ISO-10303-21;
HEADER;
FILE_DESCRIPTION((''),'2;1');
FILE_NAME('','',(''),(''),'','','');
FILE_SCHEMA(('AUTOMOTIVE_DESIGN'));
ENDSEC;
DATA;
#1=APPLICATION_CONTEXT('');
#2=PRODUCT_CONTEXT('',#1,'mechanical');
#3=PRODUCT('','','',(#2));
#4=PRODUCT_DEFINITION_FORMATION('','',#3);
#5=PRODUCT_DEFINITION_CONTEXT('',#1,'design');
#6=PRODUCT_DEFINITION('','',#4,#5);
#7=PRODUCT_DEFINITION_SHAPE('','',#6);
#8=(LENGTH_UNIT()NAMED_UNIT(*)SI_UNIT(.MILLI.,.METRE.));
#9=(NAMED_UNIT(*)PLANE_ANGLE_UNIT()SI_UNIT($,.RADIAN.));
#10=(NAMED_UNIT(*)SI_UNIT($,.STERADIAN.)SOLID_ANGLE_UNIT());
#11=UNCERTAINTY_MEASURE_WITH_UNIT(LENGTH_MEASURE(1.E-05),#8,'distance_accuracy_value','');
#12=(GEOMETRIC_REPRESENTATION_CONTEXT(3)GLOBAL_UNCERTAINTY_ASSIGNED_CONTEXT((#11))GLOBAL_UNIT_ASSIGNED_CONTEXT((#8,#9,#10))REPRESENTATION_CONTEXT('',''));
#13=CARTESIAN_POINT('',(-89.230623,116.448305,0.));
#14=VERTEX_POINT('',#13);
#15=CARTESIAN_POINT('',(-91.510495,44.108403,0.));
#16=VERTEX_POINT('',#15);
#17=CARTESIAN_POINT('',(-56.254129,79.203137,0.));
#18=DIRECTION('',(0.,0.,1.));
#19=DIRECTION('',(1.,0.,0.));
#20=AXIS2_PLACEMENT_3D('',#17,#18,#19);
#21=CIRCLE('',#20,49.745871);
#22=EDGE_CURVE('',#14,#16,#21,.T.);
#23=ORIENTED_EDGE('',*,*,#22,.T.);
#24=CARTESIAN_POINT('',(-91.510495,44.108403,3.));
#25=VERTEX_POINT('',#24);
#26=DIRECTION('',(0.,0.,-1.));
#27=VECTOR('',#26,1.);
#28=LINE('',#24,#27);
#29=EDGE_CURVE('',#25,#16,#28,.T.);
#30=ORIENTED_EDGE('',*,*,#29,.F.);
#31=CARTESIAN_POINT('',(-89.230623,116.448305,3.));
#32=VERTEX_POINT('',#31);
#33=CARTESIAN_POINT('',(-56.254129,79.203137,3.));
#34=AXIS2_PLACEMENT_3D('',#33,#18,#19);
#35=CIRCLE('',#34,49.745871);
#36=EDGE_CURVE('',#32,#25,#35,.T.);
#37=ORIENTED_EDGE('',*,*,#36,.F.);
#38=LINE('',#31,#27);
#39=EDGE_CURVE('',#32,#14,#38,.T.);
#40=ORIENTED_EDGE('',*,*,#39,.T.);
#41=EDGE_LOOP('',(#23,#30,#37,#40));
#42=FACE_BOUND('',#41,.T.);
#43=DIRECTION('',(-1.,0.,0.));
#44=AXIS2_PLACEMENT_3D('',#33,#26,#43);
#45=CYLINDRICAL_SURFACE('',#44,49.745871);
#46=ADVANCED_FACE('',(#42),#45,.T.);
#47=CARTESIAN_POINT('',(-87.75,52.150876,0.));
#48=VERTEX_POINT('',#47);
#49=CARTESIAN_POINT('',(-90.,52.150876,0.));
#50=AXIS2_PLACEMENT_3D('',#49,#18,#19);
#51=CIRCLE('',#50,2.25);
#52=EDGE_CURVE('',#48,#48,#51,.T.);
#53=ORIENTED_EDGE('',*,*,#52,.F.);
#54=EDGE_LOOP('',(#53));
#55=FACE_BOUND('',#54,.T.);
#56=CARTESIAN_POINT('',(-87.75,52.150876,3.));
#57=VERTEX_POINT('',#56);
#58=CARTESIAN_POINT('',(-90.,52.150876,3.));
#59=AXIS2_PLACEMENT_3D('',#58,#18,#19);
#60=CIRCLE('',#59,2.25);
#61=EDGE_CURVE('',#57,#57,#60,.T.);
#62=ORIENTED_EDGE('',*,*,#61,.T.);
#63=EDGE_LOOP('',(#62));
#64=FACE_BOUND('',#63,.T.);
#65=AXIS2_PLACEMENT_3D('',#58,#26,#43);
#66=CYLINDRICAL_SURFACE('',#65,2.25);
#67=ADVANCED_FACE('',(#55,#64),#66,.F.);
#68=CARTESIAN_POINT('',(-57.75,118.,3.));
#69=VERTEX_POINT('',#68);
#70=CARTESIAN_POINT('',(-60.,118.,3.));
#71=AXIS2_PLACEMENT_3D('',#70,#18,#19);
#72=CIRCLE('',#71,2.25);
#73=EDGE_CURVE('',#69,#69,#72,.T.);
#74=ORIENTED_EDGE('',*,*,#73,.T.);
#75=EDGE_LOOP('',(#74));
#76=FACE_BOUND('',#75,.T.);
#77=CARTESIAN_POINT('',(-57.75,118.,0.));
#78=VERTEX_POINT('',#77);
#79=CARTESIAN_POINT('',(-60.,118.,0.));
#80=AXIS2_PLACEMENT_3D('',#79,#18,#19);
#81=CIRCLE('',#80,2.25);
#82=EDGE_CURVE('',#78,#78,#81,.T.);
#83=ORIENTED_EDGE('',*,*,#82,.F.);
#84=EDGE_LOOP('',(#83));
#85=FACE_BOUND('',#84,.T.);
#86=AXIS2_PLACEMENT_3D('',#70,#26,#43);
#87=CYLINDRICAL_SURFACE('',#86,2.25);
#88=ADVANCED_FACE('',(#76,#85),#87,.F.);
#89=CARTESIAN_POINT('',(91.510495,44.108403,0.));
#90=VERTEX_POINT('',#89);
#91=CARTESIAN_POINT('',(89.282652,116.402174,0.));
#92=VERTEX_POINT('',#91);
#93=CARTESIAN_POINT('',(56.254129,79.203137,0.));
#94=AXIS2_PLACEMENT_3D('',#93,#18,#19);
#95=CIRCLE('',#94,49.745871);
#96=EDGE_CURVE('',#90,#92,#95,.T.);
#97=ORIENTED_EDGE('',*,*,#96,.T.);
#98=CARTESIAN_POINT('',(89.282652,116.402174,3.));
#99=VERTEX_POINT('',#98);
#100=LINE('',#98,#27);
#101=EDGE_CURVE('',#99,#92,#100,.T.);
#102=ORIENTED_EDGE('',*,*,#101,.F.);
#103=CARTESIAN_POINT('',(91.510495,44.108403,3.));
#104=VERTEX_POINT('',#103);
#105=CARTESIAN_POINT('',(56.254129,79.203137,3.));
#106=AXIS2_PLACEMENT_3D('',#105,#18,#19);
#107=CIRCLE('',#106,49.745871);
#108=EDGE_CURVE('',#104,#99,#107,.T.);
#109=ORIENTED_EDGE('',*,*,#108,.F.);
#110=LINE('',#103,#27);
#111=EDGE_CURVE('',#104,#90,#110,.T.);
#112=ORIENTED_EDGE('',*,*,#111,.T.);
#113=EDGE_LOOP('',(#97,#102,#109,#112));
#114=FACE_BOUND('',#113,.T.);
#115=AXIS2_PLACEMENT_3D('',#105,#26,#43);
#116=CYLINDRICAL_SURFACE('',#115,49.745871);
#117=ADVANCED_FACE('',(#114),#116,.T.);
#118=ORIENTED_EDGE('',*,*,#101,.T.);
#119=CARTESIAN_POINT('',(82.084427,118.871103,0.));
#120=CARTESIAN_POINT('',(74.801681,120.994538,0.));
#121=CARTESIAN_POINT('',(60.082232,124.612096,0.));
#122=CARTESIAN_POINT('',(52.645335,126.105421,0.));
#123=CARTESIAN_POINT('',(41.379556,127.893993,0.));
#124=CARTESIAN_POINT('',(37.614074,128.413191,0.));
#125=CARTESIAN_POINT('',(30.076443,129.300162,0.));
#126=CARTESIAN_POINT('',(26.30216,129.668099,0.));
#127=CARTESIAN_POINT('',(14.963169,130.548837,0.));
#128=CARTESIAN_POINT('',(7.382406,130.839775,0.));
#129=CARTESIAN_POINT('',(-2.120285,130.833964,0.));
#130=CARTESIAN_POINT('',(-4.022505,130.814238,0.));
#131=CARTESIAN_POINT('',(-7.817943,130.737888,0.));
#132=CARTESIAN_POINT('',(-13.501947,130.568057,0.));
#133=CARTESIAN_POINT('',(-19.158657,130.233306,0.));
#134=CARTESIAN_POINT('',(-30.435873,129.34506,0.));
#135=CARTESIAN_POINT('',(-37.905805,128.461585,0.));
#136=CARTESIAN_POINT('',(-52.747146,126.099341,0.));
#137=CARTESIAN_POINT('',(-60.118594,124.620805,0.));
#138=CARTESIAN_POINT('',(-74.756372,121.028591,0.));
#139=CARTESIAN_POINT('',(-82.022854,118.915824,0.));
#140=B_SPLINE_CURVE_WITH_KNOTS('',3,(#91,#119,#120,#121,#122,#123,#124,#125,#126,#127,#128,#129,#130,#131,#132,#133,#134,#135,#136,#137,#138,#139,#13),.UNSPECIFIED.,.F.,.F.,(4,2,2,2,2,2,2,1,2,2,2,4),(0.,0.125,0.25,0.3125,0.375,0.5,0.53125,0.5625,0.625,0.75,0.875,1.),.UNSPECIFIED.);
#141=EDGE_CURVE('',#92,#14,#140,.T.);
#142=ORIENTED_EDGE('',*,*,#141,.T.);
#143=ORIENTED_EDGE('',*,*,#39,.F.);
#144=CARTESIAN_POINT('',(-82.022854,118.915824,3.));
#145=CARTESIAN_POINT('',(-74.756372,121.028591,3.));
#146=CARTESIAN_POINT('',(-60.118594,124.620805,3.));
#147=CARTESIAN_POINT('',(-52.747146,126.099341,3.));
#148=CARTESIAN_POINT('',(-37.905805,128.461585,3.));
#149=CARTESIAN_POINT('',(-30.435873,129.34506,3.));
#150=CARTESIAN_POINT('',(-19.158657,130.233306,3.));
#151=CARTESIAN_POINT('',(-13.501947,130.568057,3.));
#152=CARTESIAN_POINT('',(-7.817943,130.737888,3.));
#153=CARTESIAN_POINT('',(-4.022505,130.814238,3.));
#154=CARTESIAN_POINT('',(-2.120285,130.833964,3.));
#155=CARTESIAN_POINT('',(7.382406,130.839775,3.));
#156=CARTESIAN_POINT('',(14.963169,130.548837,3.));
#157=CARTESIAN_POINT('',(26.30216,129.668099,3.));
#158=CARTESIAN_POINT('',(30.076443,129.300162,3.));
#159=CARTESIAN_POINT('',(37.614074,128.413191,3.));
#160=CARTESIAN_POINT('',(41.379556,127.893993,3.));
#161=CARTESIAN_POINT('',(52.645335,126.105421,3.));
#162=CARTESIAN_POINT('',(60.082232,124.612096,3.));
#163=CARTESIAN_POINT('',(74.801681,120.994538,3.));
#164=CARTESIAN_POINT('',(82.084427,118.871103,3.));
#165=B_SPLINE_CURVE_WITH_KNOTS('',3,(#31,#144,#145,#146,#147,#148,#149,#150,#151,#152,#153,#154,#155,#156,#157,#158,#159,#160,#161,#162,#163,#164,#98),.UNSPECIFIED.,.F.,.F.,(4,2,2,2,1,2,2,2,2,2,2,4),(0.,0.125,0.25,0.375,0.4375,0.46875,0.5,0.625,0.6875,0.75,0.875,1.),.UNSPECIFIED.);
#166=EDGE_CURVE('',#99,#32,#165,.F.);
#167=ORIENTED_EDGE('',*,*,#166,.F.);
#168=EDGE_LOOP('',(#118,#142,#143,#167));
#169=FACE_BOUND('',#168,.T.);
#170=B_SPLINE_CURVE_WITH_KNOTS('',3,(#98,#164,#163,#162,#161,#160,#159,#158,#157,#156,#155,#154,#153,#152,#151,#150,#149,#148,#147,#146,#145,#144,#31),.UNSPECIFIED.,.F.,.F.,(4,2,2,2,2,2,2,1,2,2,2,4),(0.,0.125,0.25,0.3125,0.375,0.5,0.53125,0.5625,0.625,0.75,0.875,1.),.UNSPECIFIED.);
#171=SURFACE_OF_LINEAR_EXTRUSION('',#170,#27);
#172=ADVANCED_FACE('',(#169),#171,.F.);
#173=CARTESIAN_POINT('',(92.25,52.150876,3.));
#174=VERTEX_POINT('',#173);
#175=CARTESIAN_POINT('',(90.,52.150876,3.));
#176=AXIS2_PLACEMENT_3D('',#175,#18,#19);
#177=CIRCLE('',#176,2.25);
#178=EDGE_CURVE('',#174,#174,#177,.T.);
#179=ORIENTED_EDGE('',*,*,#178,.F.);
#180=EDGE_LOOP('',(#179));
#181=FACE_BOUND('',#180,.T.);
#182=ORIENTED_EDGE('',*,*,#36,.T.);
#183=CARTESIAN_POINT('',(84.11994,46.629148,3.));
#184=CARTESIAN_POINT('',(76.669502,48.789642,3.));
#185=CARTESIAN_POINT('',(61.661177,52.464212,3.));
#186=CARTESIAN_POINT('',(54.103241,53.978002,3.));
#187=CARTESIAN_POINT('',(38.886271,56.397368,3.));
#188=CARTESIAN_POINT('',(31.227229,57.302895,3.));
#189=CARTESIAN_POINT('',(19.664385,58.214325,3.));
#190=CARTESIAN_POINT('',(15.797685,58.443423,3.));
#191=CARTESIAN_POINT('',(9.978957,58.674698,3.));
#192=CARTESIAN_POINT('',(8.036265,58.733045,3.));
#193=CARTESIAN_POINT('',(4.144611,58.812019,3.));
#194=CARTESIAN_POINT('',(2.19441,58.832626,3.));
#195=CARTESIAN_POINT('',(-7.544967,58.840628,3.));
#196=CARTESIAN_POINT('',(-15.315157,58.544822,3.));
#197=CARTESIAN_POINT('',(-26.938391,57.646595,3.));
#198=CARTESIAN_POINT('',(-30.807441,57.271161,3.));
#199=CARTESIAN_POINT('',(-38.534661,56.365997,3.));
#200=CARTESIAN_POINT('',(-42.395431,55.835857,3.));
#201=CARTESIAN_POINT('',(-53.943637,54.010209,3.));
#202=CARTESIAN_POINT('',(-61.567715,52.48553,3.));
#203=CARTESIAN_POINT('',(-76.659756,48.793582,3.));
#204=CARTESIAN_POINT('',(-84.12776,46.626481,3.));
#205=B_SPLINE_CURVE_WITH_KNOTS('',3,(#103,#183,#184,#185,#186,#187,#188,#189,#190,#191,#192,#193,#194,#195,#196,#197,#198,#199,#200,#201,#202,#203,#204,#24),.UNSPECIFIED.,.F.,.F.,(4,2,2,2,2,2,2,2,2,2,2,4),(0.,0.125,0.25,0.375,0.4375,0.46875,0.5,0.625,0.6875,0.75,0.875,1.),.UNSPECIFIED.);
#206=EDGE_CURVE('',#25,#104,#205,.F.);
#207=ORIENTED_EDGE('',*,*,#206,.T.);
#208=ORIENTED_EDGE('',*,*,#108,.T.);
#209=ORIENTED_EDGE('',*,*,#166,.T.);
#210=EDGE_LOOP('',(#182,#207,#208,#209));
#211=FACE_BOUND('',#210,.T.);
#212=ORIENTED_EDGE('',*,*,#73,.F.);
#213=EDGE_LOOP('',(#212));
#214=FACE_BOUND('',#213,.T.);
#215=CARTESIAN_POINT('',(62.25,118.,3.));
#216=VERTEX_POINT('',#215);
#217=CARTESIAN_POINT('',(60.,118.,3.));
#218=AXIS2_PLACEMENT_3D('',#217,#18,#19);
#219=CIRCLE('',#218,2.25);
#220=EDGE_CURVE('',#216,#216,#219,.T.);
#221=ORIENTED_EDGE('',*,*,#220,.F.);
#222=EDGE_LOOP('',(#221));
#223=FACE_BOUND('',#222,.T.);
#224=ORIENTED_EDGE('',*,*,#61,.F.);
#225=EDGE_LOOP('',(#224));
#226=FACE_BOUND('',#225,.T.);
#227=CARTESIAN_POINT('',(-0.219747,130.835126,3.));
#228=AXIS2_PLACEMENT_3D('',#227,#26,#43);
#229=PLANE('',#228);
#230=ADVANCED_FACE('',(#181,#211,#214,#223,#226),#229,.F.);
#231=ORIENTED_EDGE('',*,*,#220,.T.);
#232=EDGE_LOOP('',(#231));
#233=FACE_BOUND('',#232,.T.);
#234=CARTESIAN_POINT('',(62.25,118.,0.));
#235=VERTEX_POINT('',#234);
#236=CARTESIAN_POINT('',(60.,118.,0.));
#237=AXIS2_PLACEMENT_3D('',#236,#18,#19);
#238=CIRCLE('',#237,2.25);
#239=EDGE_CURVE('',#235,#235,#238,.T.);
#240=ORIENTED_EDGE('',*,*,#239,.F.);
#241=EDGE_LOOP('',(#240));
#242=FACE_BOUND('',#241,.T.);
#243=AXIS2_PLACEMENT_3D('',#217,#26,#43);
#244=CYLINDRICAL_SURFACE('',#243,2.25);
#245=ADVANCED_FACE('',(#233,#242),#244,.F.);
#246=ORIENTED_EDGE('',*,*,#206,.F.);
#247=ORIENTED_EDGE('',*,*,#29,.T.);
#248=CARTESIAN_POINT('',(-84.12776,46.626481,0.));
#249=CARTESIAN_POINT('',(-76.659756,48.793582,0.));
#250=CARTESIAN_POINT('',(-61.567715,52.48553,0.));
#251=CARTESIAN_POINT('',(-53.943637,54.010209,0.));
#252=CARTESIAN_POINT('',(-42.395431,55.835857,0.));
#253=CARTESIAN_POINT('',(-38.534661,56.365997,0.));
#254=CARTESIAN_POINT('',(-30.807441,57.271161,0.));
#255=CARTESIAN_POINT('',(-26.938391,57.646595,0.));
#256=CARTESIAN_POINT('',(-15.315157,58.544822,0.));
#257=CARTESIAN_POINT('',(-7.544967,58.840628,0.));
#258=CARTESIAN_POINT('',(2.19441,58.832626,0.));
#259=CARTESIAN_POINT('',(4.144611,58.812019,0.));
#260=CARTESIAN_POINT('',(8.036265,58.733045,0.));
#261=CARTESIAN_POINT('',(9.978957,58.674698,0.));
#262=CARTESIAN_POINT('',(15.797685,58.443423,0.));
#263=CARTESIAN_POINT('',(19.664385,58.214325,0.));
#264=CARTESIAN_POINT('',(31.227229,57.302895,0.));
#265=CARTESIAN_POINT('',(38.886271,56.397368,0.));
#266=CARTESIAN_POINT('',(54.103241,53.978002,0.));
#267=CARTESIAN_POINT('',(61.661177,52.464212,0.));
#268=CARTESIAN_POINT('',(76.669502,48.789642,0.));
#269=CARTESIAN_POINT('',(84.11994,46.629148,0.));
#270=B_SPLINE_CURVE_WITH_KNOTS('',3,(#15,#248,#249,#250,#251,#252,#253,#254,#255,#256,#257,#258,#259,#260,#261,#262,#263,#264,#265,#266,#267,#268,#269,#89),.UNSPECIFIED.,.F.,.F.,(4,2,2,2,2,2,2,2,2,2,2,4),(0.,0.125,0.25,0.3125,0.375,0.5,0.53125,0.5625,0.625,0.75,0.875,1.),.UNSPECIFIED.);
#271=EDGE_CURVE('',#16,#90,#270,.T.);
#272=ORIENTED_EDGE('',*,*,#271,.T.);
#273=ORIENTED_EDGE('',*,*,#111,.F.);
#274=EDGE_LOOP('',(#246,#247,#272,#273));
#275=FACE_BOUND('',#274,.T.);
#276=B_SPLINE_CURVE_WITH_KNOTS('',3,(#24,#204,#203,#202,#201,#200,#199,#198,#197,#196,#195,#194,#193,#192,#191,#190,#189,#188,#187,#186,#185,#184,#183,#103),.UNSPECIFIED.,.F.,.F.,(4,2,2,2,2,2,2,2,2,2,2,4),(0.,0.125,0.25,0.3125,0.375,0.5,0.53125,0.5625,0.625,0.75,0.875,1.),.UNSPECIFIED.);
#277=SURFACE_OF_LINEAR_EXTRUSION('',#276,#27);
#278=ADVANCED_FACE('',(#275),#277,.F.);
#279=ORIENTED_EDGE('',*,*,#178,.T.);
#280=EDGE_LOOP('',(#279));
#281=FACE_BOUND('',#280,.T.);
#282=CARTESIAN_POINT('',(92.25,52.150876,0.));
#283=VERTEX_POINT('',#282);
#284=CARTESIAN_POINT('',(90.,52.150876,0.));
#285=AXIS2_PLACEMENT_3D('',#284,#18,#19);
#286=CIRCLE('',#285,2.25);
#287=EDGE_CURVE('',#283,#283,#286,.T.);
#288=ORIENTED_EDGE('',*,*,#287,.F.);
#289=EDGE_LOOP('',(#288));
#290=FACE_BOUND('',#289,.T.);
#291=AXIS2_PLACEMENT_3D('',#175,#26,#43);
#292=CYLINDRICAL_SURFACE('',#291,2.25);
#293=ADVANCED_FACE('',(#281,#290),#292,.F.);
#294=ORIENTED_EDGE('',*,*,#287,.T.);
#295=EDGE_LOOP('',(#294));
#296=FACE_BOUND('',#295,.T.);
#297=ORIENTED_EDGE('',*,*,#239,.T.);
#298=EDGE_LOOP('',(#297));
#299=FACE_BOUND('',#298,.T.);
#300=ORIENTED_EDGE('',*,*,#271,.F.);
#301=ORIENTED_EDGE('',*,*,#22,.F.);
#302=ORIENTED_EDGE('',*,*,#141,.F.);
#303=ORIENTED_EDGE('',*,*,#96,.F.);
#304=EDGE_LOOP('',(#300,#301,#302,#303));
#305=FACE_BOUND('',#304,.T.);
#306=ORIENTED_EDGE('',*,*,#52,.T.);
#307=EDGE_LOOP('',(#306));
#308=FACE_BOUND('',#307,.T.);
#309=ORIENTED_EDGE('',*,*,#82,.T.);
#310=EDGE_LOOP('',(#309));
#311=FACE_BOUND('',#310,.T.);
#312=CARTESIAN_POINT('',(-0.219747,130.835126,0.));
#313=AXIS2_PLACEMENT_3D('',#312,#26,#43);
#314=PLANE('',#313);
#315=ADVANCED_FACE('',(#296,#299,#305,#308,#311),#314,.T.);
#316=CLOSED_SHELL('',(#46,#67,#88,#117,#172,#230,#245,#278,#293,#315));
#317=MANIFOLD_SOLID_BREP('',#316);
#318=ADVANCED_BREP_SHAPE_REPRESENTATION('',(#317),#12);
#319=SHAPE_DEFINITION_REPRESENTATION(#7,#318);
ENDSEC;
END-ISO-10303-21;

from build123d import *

# Parameters (mm, degrees)
CROQUIS1_R              = 2.25
SALIENTE_EXTRUIR1_DEPTH = 3


with BuildPart() as part:
    # Croquis1 → Saliente-Extruir1 (new body)
    with BuildSketch(Plane(origin=(0, 0, 0), x_dir=(-1, 0, 0), z_dir=(0, 0, 1))):
        with BuildLine():
            ThreePointArc((89.230623206, -116.44830451), (105.975312976, -80.770154924), (91.510495129, -44.10840322))
            add(Edge.make_bspline(
                [(91.510495129, -44.10840322), (84.127759627, -46.626480737), (76.659755812, -48.793582277), (61.567714608, -52.485529927), (53.943636753, -54.010209481), (42.395431338, -55.835856743), (38.534661436, -56.365996553), (30.807441475, -57.271160746), (26.938391186, -57.646594701), (15.315156999, -58.544821608), (7.544966548, -58.840628212), (-2.194410299, -58.832626174), (-4.144610508, -58.812018876), (-8.036264676, -58.733045352), (-9.978956608, -58.674697545), (-15.797685427, -58.443422776), (-19.664385347, -58.214324696), (-31.227228522, -57.302895154), (-38.886271373, -56.397367959), (-54.103241252, -53.978001601), (-61.66117651, -52.464211948), (-76.669501884, -48.789641951), (-84.119939601, -46.629147964), (-91.510495129, -44.10840322)],
                knots=[0, 0, 0, 0, 0.125, 0.125, 0.25, 0.25, 0.3125, 0.3125, 0.375, 0.375, 0.5, 0.5, 0.53125, 0.53125, 0.5625, 0.5625, 0.625, 0.625, 0.75, 0.75, 0.875, 0.875, 1, 1, 1, 1], degree=3))
            ThreePointArc((-91.510495129, -44.10840322), (-105.976396022, -80.735404374), (-89.282652322, -116.402173549))
            add(Edge.make_bspline(
                [(-89.282652322, -116.402173549), (-82.084427391, -118.871103079), (-74.801680613, -120.994537875), (-60.082232302, -124.612096128), (-52.645335382, -126.10542091), (-41.379555775, -127.893992917), (-37.614074487, -128.413191154), (-30.076442699, -129.300162486), (-26.302159817, -129.668099271), (-14.963168802, -130.548836526), (-7.382405934, -130.839774929), (2.120284858, -130.833963635), (4.022505287, -130.814238018), (7.817943392, -130.737887871), (13.501947355, -130.568056968), (19.158656691, -130.233305689), (30.435872975, -129.345060023), (37.90580458, -128.46158479), (52.74714565, -126.099341043), (60.118593514, -124.620804538), (74.756372315, -121.028591029), (82.022853845, -118.915823941), (89.230623206, -116.44830451)],
                knots=[0, 0, 0, 0, 0.125, 0.125, 0.25, 0.25, 0.3125, 0.3125, 0.375, 0.375, 0.5, 0.5, 0.53125, 0.53125, 0.5625, 0.625, 0.625, 0.75, 0.75, 0.875, 0.875, 1, 1, 1, 1], degree=3))
        make_face()
        with Locations(Location((90, -52.150876122, 0), (0, 0, 180))):
            Circle(CROQUIS1_R, mode=Mode.SUBTRACT)
        with Locations(Location((60, -118, 0), (0, 0, 180))):
            Circle(CROQUIS1_R, mode=Mode.SUBTRACT)
        with Locations(Location((-60, -118, 0), (0, 0, 180))):
            Circle(CROQUIS1_R, mode=Mode.SUBTRACT)
        with Locations(Location((-90, -52.150876122, 0), (0, 0, 180))):
            Circle(CROQUIS1_R, mode=Mode.SUBTRACT)
    extrude(amount=SALIENTE_EXTRUIR1_DEPTH)


solid = part.part
